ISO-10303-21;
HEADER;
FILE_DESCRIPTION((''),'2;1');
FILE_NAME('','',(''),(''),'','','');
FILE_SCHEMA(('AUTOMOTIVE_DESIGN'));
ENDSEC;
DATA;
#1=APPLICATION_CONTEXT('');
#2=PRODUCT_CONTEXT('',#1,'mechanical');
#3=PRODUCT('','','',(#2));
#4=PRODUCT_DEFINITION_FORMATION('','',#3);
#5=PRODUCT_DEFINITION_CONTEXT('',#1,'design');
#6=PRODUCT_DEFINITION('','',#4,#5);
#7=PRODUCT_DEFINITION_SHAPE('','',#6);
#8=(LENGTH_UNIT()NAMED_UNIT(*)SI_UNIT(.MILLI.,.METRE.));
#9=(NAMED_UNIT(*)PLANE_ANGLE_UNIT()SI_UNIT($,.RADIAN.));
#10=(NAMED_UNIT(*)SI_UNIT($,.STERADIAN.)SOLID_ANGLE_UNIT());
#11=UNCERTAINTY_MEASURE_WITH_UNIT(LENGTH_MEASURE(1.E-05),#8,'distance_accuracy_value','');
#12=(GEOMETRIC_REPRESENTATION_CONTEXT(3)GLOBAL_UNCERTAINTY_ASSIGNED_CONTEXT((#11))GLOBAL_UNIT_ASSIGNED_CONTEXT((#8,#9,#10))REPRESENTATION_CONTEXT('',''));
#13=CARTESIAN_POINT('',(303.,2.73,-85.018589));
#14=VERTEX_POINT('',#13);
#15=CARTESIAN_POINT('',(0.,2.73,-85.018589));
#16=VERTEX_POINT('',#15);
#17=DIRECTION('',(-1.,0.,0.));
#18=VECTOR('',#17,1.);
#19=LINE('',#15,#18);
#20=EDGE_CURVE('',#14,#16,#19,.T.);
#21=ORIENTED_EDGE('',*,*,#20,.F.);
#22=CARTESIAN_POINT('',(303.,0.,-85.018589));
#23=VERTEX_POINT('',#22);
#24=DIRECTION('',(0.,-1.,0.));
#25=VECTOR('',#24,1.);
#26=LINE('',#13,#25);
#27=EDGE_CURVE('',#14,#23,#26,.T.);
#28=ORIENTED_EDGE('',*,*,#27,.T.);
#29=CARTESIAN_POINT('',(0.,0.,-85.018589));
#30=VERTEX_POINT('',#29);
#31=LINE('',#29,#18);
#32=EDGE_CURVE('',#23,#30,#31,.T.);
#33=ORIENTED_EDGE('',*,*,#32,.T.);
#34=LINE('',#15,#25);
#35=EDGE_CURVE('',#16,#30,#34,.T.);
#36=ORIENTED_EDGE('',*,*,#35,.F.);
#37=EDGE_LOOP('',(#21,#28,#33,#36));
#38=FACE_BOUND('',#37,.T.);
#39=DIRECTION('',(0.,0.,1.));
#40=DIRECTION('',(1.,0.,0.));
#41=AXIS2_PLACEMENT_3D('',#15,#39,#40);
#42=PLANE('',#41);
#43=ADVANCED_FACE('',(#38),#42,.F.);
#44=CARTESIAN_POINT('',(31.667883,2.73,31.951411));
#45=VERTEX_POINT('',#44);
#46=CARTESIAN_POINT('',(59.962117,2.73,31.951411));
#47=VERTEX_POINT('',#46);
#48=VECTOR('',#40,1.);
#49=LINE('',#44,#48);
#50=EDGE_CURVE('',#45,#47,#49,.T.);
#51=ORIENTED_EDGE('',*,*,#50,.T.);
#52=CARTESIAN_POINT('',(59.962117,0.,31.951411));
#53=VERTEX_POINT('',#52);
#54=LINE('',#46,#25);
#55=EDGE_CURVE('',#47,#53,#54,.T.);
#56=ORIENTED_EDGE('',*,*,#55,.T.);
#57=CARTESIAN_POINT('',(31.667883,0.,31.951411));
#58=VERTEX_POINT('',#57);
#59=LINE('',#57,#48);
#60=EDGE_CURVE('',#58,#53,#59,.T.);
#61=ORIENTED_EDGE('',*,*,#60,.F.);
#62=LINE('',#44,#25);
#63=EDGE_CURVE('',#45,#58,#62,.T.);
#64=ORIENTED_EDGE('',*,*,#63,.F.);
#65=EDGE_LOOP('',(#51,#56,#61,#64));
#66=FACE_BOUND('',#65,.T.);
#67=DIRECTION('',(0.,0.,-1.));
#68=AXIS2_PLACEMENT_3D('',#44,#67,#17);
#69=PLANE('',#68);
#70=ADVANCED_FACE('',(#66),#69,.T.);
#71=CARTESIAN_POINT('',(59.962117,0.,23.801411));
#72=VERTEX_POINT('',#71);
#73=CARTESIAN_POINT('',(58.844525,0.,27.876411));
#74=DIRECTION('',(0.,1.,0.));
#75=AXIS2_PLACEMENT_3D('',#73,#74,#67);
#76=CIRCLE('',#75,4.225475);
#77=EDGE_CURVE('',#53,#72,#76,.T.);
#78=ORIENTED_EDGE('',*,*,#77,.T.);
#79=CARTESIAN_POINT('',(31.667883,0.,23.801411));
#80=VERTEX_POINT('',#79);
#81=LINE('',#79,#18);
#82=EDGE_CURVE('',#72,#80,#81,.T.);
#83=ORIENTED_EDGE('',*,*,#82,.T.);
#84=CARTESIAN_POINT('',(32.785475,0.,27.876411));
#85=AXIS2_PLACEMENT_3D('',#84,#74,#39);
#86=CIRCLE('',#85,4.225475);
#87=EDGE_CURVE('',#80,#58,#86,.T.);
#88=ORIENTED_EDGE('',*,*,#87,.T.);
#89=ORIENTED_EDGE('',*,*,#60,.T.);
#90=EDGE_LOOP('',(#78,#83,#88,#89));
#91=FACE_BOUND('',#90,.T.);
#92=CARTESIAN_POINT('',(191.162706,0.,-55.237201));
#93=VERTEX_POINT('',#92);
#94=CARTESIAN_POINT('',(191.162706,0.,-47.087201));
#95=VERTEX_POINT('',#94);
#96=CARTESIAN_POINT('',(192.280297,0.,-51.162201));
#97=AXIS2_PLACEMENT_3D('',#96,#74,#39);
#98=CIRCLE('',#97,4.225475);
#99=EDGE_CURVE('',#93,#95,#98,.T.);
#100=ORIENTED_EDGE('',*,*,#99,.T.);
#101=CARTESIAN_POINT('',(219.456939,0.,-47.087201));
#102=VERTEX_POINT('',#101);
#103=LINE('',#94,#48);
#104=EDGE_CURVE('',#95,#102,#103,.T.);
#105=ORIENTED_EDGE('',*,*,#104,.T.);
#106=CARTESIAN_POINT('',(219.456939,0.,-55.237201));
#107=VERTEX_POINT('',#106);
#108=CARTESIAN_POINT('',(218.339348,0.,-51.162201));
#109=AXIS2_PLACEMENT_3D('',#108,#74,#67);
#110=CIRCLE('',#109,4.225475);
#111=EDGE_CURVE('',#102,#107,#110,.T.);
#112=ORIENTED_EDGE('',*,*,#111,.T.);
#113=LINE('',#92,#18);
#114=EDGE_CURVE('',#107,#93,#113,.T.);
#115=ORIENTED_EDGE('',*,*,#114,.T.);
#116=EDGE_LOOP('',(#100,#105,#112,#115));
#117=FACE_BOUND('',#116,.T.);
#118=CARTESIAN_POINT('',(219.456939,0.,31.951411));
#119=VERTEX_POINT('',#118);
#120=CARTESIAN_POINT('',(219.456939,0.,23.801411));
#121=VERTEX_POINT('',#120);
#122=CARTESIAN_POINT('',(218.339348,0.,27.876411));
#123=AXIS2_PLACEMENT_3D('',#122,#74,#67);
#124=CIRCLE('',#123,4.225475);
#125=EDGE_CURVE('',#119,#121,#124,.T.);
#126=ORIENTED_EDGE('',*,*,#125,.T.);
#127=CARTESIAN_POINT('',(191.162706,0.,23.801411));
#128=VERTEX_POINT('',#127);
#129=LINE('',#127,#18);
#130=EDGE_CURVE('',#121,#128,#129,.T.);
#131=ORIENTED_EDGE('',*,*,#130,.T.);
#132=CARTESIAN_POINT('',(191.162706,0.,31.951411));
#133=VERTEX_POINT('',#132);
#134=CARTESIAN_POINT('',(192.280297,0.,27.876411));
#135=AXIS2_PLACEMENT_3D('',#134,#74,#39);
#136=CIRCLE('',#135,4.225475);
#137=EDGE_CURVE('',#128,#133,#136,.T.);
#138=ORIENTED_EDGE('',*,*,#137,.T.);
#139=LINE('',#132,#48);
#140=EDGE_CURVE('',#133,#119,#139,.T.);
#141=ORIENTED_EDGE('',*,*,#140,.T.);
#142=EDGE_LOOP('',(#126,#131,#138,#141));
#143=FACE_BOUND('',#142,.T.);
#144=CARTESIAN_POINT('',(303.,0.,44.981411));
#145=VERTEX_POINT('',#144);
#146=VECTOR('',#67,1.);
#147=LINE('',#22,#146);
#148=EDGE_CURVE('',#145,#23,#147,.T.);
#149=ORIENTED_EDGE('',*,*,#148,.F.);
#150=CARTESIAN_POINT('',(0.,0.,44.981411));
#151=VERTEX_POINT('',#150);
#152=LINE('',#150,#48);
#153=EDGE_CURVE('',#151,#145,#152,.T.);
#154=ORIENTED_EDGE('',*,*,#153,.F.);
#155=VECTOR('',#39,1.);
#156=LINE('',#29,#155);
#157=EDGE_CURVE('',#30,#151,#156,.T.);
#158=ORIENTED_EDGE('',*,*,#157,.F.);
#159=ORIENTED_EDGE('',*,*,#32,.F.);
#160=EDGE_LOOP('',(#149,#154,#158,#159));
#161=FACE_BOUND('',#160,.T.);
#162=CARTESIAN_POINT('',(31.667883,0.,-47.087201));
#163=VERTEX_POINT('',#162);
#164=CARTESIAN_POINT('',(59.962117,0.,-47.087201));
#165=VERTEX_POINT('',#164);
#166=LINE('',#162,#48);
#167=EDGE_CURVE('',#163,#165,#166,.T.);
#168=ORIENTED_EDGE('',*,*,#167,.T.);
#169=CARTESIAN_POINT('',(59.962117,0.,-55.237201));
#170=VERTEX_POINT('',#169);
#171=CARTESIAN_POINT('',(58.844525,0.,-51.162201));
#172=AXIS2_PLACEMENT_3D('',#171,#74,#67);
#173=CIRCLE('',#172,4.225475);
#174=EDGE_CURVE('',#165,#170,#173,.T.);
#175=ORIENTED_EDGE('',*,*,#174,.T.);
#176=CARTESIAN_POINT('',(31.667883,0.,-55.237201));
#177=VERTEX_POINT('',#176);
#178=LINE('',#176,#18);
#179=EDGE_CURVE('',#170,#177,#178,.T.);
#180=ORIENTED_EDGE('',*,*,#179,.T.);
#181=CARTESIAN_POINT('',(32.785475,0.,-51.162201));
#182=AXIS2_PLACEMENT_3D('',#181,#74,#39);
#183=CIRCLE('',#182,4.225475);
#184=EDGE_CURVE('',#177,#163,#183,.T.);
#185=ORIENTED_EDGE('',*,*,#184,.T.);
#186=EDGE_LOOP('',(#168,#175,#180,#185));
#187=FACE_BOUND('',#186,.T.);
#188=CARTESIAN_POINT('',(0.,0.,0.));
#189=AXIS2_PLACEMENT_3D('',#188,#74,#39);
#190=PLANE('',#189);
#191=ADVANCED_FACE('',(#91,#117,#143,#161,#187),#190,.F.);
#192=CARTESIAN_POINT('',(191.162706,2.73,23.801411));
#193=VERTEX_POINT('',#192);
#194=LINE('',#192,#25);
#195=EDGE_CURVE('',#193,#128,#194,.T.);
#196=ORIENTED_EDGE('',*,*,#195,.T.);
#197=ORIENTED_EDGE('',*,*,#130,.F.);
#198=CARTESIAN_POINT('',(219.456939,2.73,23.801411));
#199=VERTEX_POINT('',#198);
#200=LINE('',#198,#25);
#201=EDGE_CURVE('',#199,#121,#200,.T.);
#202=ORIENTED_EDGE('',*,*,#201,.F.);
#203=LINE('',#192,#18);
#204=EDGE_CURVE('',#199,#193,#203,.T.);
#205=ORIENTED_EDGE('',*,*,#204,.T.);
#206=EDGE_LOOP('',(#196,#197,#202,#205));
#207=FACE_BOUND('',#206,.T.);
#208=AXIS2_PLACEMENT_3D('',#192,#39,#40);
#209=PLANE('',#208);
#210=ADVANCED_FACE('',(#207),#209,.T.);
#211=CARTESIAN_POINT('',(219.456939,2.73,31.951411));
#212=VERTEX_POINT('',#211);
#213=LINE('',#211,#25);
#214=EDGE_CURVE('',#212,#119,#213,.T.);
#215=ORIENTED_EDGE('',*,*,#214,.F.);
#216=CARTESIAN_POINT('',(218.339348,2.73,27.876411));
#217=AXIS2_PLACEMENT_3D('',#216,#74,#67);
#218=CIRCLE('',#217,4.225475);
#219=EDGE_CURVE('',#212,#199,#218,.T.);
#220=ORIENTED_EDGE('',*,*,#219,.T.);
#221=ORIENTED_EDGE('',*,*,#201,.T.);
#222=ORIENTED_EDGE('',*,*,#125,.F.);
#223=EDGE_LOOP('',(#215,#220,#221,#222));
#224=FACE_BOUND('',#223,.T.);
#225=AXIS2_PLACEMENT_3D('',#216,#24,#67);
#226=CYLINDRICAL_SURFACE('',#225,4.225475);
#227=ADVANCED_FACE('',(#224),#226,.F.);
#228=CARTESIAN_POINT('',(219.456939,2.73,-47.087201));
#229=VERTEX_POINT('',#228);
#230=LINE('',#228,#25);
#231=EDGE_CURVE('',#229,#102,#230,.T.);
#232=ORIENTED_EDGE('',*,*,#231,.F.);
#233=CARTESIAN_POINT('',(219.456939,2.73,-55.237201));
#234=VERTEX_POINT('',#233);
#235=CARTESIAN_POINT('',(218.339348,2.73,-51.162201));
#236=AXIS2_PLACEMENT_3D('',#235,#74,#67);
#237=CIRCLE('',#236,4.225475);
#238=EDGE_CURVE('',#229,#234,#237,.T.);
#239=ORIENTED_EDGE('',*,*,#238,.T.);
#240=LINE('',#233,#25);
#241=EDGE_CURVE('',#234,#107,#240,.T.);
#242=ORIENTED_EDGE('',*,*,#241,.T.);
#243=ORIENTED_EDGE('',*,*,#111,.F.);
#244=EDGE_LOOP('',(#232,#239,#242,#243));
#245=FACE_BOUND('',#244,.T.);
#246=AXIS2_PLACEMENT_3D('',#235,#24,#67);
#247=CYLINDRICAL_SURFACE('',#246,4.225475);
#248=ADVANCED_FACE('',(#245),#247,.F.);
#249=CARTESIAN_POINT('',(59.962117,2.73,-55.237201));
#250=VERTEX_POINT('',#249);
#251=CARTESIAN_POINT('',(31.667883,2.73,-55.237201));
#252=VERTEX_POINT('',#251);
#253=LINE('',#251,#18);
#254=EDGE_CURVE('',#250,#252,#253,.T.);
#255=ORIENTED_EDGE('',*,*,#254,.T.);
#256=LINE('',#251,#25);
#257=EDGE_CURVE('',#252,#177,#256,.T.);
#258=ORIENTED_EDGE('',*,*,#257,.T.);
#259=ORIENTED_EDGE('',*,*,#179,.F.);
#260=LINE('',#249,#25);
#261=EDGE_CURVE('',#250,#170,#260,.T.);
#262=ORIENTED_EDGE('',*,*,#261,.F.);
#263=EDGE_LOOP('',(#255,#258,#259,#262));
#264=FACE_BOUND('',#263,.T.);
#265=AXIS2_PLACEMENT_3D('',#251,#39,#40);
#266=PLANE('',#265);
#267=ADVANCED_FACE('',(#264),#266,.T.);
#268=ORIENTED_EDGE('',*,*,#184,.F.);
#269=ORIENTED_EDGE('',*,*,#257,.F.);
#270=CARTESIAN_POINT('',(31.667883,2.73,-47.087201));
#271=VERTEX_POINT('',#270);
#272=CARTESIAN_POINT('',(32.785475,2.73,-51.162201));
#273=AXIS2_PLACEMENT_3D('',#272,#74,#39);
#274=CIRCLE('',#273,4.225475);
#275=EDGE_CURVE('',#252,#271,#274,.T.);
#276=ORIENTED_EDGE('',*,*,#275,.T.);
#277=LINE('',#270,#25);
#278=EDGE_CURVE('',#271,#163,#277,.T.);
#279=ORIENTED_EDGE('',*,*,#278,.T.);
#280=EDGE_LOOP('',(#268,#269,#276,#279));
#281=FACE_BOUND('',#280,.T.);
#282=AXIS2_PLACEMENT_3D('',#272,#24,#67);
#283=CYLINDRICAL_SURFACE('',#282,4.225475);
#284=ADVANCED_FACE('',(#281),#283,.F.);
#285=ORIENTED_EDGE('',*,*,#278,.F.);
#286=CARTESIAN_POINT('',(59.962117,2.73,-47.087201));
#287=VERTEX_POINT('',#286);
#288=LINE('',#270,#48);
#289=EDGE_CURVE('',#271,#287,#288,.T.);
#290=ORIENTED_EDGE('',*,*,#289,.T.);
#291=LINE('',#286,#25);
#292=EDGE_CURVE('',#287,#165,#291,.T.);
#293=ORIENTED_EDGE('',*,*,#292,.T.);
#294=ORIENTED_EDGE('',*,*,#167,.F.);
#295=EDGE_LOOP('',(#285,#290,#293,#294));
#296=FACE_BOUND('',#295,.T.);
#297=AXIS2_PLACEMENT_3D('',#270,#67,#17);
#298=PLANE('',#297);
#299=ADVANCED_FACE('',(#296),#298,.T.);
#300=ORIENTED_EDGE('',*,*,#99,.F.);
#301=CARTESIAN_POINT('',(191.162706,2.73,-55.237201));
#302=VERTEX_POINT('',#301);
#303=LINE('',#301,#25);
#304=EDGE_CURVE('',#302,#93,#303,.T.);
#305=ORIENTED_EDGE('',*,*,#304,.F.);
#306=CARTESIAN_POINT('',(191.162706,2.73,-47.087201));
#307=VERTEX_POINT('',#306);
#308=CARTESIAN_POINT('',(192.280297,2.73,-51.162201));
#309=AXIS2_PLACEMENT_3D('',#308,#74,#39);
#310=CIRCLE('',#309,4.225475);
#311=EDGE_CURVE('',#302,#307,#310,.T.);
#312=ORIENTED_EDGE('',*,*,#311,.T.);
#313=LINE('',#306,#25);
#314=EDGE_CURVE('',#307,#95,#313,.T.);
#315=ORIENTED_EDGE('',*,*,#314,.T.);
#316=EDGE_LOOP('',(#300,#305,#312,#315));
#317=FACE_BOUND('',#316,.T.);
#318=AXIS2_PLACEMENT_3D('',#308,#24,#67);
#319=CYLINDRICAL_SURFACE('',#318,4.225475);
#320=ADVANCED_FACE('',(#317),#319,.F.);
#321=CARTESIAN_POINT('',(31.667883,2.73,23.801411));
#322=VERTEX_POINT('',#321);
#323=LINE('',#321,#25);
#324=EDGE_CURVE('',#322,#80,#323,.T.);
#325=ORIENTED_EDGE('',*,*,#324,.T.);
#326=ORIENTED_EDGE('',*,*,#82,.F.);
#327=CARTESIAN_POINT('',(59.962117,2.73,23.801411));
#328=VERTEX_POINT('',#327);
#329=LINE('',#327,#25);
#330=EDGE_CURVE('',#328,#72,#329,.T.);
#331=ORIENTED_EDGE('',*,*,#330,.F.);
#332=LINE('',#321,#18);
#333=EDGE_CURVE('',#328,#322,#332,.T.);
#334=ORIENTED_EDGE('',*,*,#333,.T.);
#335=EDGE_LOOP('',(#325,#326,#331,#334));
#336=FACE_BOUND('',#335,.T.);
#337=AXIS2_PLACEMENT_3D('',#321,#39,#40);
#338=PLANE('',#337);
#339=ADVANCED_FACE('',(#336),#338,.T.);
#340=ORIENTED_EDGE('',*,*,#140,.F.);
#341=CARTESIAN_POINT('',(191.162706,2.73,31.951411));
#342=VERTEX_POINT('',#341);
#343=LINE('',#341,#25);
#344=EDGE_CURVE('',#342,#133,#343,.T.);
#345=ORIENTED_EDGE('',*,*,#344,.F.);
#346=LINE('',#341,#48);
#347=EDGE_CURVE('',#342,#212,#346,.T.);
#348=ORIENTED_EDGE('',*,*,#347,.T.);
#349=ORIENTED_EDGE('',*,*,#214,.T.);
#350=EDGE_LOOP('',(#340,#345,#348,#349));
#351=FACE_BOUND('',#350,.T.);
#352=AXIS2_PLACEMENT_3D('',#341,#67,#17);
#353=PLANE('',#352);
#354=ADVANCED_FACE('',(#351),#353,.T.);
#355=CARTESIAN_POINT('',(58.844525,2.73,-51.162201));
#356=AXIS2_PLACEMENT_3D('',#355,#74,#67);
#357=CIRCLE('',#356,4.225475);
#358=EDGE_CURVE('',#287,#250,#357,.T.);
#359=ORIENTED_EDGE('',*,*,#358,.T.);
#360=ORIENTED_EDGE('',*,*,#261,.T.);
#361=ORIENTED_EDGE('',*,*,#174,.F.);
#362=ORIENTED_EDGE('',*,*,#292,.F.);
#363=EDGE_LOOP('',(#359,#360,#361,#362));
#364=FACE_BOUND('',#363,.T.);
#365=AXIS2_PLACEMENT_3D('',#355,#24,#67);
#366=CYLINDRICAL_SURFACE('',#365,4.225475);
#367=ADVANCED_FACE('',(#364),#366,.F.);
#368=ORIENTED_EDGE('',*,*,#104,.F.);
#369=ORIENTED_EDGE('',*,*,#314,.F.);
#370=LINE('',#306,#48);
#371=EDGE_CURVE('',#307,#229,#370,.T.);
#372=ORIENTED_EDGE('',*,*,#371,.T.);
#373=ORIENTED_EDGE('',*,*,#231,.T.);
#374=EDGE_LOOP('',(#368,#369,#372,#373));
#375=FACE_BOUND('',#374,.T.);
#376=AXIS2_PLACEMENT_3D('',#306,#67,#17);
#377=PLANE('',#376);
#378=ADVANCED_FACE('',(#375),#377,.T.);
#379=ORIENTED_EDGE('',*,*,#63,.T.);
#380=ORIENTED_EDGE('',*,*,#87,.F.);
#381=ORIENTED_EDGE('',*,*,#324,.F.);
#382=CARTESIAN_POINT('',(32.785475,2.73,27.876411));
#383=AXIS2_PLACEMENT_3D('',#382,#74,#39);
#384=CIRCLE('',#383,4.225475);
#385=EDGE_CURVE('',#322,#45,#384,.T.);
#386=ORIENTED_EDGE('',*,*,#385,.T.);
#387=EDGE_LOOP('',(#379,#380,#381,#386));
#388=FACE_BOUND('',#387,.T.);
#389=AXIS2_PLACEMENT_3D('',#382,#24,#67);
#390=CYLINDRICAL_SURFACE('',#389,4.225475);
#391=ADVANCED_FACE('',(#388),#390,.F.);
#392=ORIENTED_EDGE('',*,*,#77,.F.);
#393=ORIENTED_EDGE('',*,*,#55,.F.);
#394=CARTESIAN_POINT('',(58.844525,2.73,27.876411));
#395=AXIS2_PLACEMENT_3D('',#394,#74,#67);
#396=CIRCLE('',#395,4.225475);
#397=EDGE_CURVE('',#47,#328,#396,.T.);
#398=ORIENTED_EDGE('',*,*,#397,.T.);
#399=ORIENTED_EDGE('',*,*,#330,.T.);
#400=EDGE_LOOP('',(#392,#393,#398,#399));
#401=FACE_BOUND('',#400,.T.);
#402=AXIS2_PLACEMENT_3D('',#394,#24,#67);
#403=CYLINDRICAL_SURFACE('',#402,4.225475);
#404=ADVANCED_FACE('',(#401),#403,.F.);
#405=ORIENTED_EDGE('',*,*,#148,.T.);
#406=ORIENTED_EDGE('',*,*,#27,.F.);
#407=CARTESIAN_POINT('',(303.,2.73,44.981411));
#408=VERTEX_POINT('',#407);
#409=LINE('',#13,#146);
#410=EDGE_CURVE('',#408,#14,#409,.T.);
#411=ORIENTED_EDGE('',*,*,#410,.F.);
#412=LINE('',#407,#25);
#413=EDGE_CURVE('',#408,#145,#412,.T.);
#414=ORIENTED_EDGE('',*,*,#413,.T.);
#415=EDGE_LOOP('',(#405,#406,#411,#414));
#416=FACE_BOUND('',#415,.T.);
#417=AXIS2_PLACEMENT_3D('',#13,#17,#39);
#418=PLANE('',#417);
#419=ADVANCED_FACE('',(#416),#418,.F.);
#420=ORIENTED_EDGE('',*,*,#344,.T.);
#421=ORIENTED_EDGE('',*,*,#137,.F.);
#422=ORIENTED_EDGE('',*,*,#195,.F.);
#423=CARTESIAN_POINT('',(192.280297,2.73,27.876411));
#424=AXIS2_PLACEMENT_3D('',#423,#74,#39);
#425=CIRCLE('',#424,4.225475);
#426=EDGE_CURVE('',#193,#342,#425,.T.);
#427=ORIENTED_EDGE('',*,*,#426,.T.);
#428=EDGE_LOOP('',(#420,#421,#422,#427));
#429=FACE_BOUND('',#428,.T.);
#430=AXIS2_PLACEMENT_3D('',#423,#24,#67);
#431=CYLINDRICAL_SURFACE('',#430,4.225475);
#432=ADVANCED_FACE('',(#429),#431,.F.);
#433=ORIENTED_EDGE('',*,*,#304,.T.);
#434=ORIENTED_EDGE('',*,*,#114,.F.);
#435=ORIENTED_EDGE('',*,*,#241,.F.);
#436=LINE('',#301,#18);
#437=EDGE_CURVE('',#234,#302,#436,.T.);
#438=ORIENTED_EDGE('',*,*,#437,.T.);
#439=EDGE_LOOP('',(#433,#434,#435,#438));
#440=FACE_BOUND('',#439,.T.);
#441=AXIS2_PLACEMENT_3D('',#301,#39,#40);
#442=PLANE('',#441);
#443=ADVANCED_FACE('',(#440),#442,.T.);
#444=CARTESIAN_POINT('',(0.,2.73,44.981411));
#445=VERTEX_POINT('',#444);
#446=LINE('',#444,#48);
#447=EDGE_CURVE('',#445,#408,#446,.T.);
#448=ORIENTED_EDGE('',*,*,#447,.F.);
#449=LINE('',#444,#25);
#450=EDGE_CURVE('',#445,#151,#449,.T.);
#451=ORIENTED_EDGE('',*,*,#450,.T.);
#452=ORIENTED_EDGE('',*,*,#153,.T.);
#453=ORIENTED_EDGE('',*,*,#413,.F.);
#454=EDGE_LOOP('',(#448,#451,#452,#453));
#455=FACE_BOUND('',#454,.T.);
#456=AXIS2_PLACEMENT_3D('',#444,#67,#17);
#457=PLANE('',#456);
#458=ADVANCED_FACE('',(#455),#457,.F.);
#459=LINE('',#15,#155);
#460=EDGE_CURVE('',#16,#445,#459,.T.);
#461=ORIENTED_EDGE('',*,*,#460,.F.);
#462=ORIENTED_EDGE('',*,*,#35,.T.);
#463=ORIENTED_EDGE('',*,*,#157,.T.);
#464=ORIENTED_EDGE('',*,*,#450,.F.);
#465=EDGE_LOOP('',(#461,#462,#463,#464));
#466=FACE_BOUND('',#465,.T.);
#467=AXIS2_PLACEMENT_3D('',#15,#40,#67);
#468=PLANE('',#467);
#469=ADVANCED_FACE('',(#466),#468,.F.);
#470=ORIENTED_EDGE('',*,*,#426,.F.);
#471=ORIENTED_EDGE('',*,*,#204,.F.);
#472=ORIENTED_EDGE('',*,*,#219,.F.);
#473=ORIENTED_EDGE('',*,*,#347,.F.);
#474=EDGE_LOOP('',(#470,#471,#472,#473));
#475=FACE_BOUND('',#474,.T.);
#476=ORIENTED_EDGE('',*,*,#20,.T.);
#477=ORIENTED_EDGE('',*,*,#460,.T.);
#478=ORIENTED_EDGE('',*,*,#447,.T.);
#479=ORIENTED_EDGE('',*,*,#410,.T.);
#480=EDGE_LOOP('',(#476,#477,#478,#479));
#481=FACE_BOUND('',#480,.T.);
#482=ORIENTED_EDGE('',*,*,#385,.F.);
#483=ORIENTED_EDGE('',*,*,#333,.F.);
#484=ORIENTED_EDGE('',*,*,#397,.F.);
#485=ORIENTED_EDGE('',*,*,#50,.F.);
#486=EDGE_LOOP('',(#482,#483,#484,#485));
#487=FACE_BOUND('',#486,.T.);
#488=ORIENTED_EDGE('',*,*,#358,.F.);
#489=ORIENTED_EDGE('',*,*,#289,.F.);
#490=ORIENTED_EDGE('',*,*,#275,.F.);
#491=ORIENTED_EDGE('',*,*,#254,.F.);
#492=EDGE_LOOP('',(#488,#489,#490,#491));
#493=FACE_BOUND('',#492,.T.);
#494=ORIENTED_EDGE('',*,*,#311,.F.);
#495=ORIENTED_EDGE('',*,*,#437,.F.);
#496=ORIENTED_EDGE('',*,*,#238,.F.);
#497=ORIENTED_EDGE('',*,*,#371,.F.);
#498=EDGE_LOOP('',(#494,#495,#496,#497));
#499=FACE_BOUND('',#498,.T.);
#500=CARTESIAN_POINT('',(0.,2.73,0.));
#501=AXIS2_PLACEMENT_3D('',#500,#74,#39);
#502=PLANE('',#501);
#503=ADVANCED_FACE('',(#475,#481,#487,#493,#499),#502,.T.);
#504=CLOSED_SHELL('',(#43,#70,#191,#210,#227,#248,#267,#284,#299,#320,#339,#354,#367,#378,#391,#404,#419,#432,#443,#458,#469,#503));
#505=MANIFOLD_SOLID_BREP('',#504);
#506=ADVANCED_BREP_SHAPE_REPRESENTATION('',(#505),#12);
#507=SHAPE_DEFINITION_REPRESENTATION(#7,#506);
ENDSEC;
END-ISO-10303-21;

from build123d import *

# Parameters (mm, degrees)
SKETCH1_W           = 303
SKETCH1_H           = 130
BOSS_EXTRUDE1_DEPTH = 2.73


with BuildPart() as part:
    # Sketch1 → Boss-Extrude1 (new body)
    with BuildSketch(Plane(origin=(0, 0, 0), x_dir=(1, 0, 0), z_dir=(0, 1, 0))):
        with Locations((151.5, 20.018589385)):
            Rectangle(SKETCH1_W, SKETCH1_H)
        with BuildLine():
            Line((31.667883176, -31.951410615), (59.962116824, -31.951410615))
            ThreePointArc((59.962116824, -31.951410615), (63.07, -27.876410615), (59.962116824, -23.801410615))
            Line((59.962116824, -23.801410615), (31.667883176, -23.801410615))
            ThreePointArc((31.667883176, -23.801410615), (28.56, -27.876410615), (31.667883176, -31.951410615))
        make_face(mode=Mode.SUBTRACT)
        with BuildLine():
            Line((191.162705572, 55.23720125), (219.45693922, 55.23720125))
            ThreePointArc((219.45693922, 55.23720125), (222.564822396, 51.16220125), (219.45693922, 47.08720125))
            Line((219.45693922, 47.08720125), (191.162705572, 47.08720125))
            ThreePointArc((191.162705572, 47.08720125), (188.054822396, 51.16220125), (191.162705572, 55.23720125))
        make_face(mode=Mode.SUBTRACT)
        with BuildLine():
            Line((31.667883176, 47.08720125), (59.962116824, 47.08720125))
            ThreePointArc((59.962116824, 47.08720125), (63.07, 51.16220125), (59.962116824, 55.23720125))
            Line((59.962116824, 55.23720125), (31.667883176, 55.23720125))
            ThreePointArc((31.667883176, 55.23720125), (28.56, 51.16220125), (31.667883176, 47.08720125))
        make_face(mode=Mode.SUBTRACT)
        with BuildLine():
            Line((191.162705572, -31.951410615), (219.45693922, -31.951410615))
            ThreePointArc((219.45693922, -31.951410615), (222.564822396, -27.876410615), (219.45693922, -23.801410615))
            Line((219.45693922, -23.801410615), (191.162705572, -23.801410615))
            ThreePointArc((191.162705572, -23.801410615), (188.054822396, -27.876410615), (191.162705572, -31.951410615))
        make_face(mode=Mode.SUBTRACT)
    extrude(amount=BOSS_EXTRUDE1_DEPTH)


solid = part.part
